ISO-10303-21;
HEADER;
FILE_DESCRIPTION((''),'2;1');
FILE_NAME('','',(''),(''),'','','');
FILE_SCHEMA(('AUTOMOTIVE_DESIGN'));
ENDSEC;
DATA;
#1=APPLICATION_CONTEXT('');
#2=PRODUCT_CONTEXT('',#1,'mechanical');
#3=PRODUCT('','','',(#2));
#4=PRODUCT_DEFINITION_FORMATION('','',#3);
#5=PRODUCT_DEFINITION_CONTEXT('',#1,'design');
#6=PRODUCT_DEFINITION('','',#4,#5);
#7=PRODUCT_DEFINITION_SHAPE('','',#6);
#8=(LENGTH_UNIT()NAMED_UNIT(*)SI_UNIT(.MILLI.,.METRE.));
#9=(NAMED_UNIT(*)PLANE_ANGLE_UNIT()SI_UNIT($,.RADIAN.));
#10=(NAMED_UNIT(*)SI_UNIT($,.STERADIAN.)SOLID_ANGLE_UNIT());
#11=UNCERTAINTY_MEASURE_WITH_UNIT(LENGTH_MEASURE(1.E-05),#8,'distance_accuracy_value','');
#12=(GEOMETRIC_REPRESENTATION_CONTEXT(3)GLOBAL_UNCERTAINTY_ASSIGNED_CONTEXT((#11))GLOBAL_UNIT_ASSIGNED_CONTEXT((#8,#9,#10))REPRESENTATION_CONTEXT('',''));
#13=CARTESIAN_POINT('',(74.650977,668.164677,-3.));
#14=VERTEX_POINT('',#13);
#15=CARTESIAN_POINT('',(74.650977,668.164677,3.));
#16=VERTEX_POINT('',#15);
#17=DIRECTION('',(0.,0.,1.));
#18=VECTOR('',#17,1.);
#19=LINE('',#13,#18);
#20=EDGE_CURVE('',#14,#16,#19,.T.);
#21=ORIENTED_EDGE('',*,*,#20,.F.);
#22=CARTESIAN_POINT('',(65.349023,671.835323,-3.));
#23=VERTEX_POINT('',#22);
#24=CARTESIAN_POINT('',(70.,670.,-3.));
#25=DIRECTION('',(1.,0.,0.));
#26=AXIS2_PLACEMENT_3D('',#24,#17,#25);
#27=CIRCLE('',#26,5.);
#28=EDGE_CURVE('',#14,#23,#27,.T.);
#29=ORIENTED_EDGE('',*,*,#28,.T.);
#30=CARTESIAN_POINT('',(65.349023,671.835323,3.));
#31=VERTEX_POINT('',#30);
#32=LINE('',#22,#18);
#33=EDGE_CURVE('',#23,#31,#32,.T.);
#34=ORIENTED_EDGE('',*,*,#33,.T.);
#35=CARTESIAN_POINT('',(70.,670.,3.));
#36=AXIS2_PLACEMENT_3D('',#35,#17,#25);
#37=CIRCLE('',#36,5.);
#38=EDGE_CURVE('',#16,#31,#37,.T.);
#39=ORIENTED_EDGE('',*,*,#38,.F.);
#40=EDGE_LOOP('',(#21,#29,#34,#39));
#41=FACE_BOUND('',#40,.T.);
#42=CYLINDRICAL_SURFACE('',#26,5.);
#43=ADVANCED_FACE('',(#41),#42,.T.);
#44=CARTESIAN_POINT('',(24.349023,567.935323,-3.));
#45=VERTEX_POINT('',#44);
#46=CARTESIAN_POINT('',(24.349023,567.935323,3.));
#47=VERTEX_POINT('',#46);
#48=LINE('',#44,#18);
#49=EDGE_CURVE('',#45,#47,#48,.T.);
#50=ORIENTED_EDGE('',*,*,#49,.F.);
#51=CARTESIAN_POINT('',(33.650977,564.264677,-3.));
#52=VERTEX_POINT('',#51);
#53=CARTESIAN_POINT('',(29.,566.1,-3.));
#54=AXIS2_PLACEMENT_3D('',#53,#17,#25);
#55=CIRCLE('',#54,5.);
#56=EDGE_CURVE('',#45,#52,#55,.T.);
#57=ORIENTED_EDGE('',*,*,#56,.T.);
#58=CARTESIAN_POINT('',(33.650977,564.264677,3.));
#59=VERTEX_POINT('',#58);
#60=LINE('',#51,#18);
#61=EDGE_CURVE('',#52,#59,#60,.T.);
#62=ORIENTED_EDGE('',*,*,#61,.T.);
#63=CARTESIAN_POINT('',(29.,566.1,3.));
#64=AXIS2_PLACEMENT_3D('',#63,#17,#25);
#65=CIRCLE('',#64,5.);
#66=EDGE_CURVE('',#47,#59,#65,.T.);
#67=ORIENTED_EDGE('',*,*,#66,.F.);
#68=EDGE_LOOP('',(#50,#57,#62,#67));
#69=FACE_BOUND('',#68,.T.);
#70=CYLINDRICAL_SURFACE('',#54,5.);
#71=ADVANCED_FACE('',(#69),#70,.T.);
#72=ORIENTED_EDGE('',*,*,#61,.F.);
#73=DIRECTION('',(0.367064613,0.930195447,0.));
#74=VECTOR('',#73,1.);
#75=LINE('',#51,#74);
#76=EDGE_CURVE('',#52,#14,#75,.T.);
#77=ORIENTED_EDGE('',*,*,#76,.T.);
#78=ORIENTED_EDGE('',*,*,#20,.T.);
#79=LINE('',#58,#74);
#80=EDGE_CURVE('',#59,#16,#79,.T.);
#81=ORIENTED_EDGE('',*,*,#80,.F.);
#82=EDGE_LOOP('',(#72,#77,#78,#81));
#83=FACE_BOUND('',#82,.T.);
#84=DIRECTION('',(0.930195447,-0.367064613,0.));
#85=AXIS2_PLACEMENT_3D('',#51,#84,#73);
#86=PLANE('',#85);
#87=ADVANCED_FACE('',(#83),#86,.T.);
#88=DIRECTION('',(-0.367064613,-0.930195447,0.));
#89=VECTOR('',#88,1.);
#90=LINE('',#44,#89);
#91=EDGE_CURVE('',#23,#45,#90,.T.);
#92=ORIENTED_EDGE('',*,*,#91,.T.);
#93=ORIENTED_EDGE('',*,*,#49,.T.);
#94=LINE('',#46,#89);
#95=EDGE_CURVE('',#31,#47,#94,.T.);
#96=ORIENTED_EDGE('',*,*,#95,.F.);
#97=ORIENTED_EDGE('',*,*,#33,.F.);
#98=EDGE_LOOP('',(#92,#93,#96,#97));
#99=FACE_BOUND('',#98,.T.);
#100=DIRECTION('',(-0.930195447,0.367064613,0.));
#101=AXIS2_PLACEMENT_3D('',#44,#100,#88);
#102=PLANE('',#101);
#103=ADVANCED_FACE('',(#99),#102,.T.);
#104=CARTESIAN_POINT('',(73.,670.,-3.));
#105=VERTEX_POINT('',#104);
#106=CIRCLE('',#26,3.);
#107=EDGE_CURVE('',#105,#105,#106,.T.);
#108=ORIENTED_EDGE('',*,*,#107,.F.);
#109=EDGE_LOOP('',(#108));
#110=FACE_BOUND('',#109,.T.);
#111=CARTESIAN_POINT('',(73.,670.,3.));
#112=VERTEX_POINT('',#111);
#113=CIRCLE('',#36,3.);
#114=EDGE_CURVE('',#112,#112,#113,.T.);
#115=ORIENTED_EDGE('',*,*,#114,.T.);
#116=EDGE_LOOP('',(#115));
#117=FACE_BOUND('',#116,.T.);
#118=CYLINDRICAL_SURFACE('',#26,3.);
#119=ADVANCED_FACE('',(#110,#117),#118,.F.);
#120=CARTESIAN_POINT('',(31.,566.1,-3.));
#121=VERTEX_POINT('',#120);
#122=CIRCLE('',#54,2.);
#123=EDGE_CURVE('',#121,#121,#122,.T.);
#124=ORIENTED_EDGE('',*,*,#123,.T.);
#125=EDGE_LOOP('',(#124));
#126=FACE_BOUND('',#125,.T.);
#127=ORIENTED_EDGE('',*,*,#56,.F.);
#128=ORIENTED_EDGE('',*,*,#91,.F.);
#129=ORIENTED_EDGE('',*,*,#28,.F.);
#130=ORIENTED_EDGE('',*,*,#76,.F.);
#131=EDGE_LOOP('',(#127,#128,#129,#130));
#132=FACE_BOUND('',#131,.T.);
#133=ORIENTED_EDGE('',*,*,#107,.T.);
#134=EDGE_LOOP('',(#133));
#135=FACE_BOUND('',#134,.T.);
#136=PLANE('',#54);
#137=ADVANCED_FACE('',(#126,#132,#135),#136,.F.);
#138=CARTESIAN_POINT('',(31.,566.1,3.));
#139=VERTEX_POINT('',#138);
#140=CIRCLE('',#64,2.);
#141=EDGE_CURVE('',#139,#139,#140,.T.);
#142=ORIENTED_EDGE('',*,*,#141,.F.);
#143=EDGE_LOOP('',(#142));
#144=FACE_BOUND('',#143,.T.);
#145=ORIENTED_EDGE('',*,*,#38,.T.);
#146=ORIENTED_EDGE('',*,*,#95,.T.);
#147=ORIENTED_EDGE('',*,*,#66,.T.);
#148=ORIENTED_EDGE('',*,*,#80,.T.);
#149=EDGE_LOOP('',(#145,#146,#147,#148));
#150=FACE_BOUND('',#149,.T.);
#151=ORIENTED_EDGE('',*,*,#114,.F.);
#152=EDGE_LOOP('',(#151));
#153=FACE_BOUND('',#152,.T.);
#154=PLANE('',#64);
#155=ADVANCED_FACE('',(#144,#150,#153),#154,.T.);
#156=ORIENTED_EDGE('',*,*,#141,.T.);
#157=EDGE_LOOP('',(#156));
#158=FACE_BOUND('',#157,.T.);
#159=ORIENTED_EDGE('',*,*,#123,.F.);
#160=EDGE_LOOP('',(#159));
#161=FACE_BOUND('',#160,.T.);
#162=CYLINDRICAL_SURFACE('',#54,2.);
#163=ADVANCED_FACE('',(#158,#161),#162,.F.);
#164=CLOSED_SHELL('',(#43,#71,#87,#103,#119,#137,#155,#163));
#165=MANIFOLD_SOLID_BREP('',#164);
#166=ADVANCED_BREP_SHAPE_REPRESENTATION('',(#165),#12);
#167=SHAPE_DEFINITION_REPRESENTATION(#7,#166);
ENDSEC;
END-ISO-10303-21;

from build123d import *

# Parameters (mm, degrees)
AUFSATZ_LINEAR_AUSTRAGEN1_DEPTH      = 3
AUFSATZ_LINEAR_AUSTRAGEN1_DEPTH_BACK = 3
SKIZZE3_R                            = 3
SKIZZE3_R_2                          = 2


with BuildPart() as part:
    # Skizze3 → Aufsatz-Linear austragen1 (new, two sides: drawn at the far end of the back side and taken through both)
    with BuildSketch(Plane.XY.offset(-AUFSATZ_LINEAR_AUSTRAGEN1_DEPTH_BACK)):
        with BuildLine():
            Line((24.349022765, 567.935323067), (65.349022765, 671.835323067))
            ThreePointArc((65.349022765, 671.835323067), (71.835323067, 674.650977235), (74.650977235, 668.164676933))
            Line((74.650977235, 668.164676933), (33.650977235, 564.264676933))
            ThreePointArc((33.650977235, 564.264676933), (27.164676933, 561.449022765), (24.349022765, 567.935323067))
        make_face()
        with Locations((70, 670)):
            Circle(SKIZZE3_R, mode=Mode.SUBTRACT)
        with Locations((29, 566.1)):
            Circle(SKIZZE3_R_2, mode=Mode.SUBTRACT)
    extrude(amount=AUFSATZ_LINEAR_AUSTRAGEN1_DEPTH + AUFSATZ_LINEAR_AUSTRAGEN1_DEPTH_BACK)


solid = part.part
